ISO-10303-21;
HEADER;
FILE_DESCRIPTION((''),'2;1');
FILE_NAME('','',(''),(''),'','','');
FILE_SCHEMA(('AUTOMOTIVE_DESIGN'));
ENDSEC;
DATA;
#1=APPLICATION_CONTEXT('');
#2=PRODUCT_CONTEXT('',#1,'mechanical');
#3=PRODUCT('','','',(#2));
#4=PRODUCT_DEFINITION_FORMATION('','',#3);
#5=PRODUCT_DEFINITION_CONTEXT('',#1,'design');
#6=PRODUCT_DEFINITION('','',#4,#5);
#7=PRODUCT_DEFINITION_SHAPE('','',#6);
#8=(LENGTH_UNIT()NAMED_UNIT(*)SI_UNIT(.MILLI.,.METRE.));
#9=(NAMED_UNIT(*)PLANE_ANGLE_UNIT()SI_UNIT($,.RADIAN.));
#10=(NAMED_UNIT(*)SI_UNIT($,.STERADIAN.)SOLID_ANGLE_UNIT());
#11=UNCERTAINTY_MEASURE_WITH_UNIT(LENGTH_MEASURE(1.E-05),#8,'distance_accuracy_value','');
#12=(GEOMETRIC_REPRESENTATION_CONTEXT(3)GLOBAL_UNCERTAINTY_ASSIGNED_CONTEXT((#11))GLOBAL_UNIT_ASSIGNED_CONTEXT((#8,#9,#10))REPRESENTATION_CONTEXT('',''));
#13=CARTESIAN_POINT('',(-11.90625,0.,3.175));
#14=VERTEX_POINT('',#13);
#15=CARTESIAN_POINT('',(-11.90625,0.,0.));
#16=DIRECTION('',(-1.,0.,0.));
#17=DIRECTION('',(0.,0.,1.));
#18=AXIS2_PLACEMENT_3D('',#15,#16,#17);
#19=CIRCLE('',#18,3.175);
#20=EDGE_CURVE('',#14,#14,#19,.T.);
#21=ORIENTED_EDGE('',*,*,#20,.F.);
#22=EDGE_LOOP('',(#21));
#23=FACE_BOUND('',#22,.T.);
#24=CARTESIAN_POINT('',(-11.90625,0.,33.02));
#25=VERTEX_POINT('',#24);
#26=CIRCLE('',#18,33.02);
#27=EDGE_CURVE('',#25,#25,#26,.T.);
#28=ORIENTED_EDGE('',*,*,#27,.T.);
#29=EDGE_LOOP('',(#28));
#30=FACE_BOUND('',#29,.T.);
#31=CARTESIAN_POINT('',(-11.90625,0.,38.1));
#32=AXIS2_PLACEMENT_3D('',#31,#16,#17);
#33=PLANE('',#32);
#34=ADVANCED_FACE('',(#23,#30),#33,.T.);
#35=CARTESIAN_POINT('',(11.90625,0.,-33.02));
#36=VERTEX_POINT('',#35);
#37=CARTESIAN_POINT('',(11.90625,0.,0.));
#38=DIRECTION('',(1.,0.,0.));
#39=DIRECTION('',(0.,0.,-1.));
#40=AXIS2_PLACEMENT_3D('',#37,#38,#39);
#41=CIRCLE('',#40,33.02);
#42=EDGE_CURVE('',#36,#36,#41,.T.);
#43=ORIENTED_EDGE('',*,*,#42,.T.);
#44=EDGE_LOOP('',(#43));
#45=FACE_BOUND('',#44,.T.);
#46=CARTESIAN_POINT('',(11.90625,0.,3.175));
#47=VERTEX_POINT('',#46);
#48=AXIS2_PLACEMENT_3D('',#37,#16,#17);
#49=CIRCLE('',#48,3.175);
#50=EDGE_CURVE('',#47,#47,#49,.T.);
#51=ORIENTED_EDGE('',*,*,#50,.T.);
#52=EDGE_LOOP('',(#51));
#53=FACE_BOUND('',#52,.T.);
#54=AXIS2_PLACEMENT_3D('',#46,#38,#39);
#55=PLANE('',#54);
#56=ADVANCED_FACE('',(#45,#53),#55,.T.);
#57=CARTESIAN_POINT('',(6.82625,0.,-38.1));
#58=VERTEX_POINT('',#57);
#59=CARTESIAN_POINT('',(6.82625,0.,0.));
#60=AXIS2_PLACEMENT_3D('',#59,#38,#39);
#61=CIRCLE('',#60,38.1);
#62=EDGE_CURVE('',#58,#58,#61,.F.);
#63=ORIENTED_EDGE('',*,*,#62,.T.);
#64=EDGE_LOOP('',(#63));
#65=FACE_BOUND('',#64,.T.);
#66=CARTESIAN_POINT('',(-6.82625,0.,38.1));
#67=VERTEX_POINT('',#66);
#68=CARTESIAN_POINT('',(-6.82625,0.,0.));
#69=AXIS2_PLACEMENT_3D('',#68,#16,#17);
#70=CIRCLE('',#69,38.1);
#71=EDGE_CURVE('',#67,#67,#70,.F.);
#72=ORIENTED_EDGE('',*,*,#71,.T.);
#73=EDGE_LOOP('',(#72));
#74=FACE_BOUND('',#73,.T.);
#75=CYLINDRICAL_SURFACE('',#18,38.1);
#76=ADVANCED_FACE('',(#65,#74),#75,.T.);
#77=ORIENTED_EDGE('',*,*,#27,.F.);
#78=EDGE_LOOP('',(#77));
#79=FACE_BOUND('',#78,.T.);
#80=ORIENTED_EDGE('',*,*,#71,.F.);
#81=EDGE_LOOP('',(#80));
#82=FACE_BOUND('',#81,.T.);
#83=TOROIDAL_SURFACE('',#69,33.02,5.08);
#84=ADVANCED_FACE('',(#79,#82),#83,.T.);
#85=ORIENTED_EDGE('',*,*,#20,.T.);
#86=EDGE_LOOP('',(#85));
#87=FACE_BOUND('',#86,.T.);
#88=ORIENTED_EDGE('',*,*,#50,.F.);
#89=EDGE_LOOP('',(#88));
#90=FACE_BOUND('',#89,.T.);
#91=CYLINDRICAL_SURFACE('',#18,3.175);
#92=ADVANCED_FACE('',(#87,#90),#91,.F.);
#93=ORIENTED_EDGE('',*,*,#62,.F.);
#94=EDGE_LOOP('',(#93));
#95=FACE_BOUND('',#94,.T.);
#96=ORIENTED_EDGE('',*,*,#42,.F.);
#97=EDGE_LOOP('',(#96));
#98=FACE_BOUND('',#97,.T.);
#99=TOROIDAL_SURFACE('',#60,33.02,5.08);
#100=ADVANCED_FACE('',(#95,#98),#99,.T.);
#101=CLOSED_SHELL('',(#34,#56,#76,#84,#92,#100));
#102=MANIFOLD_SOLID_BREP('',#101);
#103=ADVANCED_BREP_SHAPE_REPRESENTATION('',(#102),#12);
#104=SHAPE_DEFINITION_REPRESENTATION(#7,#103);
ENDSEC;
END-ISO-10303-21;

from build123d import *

# Parameters (mm, degrees)
SKETCH1_W = 23.8125
SKETCH1_H = 34.925
FILLET1_R = 5.08


with BuildPart() as part:
    # Sketch1 → Revolve1 (revolve)
    with BuildSketch(Plane(origin=(0, 0, 0), x_dir=(1, 0, 0), z_dir=(0, 1, 0))):
        with Locations((0, -20.6375)):
            Rectangle(SKETCH1_W, SKETCH1_H)
    revolve(axis=Axis((-11.90625, 0, 0), (1, 0, 0)))

    # Fillet1
    fillet1_edges = [part.edges().sort_by_distance(p)[0] for p in [
        (-11.90625, 0, -38.1),
        (11.90625, 0, -38.1),
    ]]
    fillet(fillet1_edges, radius=FILLET1_R)


solid = part.part
